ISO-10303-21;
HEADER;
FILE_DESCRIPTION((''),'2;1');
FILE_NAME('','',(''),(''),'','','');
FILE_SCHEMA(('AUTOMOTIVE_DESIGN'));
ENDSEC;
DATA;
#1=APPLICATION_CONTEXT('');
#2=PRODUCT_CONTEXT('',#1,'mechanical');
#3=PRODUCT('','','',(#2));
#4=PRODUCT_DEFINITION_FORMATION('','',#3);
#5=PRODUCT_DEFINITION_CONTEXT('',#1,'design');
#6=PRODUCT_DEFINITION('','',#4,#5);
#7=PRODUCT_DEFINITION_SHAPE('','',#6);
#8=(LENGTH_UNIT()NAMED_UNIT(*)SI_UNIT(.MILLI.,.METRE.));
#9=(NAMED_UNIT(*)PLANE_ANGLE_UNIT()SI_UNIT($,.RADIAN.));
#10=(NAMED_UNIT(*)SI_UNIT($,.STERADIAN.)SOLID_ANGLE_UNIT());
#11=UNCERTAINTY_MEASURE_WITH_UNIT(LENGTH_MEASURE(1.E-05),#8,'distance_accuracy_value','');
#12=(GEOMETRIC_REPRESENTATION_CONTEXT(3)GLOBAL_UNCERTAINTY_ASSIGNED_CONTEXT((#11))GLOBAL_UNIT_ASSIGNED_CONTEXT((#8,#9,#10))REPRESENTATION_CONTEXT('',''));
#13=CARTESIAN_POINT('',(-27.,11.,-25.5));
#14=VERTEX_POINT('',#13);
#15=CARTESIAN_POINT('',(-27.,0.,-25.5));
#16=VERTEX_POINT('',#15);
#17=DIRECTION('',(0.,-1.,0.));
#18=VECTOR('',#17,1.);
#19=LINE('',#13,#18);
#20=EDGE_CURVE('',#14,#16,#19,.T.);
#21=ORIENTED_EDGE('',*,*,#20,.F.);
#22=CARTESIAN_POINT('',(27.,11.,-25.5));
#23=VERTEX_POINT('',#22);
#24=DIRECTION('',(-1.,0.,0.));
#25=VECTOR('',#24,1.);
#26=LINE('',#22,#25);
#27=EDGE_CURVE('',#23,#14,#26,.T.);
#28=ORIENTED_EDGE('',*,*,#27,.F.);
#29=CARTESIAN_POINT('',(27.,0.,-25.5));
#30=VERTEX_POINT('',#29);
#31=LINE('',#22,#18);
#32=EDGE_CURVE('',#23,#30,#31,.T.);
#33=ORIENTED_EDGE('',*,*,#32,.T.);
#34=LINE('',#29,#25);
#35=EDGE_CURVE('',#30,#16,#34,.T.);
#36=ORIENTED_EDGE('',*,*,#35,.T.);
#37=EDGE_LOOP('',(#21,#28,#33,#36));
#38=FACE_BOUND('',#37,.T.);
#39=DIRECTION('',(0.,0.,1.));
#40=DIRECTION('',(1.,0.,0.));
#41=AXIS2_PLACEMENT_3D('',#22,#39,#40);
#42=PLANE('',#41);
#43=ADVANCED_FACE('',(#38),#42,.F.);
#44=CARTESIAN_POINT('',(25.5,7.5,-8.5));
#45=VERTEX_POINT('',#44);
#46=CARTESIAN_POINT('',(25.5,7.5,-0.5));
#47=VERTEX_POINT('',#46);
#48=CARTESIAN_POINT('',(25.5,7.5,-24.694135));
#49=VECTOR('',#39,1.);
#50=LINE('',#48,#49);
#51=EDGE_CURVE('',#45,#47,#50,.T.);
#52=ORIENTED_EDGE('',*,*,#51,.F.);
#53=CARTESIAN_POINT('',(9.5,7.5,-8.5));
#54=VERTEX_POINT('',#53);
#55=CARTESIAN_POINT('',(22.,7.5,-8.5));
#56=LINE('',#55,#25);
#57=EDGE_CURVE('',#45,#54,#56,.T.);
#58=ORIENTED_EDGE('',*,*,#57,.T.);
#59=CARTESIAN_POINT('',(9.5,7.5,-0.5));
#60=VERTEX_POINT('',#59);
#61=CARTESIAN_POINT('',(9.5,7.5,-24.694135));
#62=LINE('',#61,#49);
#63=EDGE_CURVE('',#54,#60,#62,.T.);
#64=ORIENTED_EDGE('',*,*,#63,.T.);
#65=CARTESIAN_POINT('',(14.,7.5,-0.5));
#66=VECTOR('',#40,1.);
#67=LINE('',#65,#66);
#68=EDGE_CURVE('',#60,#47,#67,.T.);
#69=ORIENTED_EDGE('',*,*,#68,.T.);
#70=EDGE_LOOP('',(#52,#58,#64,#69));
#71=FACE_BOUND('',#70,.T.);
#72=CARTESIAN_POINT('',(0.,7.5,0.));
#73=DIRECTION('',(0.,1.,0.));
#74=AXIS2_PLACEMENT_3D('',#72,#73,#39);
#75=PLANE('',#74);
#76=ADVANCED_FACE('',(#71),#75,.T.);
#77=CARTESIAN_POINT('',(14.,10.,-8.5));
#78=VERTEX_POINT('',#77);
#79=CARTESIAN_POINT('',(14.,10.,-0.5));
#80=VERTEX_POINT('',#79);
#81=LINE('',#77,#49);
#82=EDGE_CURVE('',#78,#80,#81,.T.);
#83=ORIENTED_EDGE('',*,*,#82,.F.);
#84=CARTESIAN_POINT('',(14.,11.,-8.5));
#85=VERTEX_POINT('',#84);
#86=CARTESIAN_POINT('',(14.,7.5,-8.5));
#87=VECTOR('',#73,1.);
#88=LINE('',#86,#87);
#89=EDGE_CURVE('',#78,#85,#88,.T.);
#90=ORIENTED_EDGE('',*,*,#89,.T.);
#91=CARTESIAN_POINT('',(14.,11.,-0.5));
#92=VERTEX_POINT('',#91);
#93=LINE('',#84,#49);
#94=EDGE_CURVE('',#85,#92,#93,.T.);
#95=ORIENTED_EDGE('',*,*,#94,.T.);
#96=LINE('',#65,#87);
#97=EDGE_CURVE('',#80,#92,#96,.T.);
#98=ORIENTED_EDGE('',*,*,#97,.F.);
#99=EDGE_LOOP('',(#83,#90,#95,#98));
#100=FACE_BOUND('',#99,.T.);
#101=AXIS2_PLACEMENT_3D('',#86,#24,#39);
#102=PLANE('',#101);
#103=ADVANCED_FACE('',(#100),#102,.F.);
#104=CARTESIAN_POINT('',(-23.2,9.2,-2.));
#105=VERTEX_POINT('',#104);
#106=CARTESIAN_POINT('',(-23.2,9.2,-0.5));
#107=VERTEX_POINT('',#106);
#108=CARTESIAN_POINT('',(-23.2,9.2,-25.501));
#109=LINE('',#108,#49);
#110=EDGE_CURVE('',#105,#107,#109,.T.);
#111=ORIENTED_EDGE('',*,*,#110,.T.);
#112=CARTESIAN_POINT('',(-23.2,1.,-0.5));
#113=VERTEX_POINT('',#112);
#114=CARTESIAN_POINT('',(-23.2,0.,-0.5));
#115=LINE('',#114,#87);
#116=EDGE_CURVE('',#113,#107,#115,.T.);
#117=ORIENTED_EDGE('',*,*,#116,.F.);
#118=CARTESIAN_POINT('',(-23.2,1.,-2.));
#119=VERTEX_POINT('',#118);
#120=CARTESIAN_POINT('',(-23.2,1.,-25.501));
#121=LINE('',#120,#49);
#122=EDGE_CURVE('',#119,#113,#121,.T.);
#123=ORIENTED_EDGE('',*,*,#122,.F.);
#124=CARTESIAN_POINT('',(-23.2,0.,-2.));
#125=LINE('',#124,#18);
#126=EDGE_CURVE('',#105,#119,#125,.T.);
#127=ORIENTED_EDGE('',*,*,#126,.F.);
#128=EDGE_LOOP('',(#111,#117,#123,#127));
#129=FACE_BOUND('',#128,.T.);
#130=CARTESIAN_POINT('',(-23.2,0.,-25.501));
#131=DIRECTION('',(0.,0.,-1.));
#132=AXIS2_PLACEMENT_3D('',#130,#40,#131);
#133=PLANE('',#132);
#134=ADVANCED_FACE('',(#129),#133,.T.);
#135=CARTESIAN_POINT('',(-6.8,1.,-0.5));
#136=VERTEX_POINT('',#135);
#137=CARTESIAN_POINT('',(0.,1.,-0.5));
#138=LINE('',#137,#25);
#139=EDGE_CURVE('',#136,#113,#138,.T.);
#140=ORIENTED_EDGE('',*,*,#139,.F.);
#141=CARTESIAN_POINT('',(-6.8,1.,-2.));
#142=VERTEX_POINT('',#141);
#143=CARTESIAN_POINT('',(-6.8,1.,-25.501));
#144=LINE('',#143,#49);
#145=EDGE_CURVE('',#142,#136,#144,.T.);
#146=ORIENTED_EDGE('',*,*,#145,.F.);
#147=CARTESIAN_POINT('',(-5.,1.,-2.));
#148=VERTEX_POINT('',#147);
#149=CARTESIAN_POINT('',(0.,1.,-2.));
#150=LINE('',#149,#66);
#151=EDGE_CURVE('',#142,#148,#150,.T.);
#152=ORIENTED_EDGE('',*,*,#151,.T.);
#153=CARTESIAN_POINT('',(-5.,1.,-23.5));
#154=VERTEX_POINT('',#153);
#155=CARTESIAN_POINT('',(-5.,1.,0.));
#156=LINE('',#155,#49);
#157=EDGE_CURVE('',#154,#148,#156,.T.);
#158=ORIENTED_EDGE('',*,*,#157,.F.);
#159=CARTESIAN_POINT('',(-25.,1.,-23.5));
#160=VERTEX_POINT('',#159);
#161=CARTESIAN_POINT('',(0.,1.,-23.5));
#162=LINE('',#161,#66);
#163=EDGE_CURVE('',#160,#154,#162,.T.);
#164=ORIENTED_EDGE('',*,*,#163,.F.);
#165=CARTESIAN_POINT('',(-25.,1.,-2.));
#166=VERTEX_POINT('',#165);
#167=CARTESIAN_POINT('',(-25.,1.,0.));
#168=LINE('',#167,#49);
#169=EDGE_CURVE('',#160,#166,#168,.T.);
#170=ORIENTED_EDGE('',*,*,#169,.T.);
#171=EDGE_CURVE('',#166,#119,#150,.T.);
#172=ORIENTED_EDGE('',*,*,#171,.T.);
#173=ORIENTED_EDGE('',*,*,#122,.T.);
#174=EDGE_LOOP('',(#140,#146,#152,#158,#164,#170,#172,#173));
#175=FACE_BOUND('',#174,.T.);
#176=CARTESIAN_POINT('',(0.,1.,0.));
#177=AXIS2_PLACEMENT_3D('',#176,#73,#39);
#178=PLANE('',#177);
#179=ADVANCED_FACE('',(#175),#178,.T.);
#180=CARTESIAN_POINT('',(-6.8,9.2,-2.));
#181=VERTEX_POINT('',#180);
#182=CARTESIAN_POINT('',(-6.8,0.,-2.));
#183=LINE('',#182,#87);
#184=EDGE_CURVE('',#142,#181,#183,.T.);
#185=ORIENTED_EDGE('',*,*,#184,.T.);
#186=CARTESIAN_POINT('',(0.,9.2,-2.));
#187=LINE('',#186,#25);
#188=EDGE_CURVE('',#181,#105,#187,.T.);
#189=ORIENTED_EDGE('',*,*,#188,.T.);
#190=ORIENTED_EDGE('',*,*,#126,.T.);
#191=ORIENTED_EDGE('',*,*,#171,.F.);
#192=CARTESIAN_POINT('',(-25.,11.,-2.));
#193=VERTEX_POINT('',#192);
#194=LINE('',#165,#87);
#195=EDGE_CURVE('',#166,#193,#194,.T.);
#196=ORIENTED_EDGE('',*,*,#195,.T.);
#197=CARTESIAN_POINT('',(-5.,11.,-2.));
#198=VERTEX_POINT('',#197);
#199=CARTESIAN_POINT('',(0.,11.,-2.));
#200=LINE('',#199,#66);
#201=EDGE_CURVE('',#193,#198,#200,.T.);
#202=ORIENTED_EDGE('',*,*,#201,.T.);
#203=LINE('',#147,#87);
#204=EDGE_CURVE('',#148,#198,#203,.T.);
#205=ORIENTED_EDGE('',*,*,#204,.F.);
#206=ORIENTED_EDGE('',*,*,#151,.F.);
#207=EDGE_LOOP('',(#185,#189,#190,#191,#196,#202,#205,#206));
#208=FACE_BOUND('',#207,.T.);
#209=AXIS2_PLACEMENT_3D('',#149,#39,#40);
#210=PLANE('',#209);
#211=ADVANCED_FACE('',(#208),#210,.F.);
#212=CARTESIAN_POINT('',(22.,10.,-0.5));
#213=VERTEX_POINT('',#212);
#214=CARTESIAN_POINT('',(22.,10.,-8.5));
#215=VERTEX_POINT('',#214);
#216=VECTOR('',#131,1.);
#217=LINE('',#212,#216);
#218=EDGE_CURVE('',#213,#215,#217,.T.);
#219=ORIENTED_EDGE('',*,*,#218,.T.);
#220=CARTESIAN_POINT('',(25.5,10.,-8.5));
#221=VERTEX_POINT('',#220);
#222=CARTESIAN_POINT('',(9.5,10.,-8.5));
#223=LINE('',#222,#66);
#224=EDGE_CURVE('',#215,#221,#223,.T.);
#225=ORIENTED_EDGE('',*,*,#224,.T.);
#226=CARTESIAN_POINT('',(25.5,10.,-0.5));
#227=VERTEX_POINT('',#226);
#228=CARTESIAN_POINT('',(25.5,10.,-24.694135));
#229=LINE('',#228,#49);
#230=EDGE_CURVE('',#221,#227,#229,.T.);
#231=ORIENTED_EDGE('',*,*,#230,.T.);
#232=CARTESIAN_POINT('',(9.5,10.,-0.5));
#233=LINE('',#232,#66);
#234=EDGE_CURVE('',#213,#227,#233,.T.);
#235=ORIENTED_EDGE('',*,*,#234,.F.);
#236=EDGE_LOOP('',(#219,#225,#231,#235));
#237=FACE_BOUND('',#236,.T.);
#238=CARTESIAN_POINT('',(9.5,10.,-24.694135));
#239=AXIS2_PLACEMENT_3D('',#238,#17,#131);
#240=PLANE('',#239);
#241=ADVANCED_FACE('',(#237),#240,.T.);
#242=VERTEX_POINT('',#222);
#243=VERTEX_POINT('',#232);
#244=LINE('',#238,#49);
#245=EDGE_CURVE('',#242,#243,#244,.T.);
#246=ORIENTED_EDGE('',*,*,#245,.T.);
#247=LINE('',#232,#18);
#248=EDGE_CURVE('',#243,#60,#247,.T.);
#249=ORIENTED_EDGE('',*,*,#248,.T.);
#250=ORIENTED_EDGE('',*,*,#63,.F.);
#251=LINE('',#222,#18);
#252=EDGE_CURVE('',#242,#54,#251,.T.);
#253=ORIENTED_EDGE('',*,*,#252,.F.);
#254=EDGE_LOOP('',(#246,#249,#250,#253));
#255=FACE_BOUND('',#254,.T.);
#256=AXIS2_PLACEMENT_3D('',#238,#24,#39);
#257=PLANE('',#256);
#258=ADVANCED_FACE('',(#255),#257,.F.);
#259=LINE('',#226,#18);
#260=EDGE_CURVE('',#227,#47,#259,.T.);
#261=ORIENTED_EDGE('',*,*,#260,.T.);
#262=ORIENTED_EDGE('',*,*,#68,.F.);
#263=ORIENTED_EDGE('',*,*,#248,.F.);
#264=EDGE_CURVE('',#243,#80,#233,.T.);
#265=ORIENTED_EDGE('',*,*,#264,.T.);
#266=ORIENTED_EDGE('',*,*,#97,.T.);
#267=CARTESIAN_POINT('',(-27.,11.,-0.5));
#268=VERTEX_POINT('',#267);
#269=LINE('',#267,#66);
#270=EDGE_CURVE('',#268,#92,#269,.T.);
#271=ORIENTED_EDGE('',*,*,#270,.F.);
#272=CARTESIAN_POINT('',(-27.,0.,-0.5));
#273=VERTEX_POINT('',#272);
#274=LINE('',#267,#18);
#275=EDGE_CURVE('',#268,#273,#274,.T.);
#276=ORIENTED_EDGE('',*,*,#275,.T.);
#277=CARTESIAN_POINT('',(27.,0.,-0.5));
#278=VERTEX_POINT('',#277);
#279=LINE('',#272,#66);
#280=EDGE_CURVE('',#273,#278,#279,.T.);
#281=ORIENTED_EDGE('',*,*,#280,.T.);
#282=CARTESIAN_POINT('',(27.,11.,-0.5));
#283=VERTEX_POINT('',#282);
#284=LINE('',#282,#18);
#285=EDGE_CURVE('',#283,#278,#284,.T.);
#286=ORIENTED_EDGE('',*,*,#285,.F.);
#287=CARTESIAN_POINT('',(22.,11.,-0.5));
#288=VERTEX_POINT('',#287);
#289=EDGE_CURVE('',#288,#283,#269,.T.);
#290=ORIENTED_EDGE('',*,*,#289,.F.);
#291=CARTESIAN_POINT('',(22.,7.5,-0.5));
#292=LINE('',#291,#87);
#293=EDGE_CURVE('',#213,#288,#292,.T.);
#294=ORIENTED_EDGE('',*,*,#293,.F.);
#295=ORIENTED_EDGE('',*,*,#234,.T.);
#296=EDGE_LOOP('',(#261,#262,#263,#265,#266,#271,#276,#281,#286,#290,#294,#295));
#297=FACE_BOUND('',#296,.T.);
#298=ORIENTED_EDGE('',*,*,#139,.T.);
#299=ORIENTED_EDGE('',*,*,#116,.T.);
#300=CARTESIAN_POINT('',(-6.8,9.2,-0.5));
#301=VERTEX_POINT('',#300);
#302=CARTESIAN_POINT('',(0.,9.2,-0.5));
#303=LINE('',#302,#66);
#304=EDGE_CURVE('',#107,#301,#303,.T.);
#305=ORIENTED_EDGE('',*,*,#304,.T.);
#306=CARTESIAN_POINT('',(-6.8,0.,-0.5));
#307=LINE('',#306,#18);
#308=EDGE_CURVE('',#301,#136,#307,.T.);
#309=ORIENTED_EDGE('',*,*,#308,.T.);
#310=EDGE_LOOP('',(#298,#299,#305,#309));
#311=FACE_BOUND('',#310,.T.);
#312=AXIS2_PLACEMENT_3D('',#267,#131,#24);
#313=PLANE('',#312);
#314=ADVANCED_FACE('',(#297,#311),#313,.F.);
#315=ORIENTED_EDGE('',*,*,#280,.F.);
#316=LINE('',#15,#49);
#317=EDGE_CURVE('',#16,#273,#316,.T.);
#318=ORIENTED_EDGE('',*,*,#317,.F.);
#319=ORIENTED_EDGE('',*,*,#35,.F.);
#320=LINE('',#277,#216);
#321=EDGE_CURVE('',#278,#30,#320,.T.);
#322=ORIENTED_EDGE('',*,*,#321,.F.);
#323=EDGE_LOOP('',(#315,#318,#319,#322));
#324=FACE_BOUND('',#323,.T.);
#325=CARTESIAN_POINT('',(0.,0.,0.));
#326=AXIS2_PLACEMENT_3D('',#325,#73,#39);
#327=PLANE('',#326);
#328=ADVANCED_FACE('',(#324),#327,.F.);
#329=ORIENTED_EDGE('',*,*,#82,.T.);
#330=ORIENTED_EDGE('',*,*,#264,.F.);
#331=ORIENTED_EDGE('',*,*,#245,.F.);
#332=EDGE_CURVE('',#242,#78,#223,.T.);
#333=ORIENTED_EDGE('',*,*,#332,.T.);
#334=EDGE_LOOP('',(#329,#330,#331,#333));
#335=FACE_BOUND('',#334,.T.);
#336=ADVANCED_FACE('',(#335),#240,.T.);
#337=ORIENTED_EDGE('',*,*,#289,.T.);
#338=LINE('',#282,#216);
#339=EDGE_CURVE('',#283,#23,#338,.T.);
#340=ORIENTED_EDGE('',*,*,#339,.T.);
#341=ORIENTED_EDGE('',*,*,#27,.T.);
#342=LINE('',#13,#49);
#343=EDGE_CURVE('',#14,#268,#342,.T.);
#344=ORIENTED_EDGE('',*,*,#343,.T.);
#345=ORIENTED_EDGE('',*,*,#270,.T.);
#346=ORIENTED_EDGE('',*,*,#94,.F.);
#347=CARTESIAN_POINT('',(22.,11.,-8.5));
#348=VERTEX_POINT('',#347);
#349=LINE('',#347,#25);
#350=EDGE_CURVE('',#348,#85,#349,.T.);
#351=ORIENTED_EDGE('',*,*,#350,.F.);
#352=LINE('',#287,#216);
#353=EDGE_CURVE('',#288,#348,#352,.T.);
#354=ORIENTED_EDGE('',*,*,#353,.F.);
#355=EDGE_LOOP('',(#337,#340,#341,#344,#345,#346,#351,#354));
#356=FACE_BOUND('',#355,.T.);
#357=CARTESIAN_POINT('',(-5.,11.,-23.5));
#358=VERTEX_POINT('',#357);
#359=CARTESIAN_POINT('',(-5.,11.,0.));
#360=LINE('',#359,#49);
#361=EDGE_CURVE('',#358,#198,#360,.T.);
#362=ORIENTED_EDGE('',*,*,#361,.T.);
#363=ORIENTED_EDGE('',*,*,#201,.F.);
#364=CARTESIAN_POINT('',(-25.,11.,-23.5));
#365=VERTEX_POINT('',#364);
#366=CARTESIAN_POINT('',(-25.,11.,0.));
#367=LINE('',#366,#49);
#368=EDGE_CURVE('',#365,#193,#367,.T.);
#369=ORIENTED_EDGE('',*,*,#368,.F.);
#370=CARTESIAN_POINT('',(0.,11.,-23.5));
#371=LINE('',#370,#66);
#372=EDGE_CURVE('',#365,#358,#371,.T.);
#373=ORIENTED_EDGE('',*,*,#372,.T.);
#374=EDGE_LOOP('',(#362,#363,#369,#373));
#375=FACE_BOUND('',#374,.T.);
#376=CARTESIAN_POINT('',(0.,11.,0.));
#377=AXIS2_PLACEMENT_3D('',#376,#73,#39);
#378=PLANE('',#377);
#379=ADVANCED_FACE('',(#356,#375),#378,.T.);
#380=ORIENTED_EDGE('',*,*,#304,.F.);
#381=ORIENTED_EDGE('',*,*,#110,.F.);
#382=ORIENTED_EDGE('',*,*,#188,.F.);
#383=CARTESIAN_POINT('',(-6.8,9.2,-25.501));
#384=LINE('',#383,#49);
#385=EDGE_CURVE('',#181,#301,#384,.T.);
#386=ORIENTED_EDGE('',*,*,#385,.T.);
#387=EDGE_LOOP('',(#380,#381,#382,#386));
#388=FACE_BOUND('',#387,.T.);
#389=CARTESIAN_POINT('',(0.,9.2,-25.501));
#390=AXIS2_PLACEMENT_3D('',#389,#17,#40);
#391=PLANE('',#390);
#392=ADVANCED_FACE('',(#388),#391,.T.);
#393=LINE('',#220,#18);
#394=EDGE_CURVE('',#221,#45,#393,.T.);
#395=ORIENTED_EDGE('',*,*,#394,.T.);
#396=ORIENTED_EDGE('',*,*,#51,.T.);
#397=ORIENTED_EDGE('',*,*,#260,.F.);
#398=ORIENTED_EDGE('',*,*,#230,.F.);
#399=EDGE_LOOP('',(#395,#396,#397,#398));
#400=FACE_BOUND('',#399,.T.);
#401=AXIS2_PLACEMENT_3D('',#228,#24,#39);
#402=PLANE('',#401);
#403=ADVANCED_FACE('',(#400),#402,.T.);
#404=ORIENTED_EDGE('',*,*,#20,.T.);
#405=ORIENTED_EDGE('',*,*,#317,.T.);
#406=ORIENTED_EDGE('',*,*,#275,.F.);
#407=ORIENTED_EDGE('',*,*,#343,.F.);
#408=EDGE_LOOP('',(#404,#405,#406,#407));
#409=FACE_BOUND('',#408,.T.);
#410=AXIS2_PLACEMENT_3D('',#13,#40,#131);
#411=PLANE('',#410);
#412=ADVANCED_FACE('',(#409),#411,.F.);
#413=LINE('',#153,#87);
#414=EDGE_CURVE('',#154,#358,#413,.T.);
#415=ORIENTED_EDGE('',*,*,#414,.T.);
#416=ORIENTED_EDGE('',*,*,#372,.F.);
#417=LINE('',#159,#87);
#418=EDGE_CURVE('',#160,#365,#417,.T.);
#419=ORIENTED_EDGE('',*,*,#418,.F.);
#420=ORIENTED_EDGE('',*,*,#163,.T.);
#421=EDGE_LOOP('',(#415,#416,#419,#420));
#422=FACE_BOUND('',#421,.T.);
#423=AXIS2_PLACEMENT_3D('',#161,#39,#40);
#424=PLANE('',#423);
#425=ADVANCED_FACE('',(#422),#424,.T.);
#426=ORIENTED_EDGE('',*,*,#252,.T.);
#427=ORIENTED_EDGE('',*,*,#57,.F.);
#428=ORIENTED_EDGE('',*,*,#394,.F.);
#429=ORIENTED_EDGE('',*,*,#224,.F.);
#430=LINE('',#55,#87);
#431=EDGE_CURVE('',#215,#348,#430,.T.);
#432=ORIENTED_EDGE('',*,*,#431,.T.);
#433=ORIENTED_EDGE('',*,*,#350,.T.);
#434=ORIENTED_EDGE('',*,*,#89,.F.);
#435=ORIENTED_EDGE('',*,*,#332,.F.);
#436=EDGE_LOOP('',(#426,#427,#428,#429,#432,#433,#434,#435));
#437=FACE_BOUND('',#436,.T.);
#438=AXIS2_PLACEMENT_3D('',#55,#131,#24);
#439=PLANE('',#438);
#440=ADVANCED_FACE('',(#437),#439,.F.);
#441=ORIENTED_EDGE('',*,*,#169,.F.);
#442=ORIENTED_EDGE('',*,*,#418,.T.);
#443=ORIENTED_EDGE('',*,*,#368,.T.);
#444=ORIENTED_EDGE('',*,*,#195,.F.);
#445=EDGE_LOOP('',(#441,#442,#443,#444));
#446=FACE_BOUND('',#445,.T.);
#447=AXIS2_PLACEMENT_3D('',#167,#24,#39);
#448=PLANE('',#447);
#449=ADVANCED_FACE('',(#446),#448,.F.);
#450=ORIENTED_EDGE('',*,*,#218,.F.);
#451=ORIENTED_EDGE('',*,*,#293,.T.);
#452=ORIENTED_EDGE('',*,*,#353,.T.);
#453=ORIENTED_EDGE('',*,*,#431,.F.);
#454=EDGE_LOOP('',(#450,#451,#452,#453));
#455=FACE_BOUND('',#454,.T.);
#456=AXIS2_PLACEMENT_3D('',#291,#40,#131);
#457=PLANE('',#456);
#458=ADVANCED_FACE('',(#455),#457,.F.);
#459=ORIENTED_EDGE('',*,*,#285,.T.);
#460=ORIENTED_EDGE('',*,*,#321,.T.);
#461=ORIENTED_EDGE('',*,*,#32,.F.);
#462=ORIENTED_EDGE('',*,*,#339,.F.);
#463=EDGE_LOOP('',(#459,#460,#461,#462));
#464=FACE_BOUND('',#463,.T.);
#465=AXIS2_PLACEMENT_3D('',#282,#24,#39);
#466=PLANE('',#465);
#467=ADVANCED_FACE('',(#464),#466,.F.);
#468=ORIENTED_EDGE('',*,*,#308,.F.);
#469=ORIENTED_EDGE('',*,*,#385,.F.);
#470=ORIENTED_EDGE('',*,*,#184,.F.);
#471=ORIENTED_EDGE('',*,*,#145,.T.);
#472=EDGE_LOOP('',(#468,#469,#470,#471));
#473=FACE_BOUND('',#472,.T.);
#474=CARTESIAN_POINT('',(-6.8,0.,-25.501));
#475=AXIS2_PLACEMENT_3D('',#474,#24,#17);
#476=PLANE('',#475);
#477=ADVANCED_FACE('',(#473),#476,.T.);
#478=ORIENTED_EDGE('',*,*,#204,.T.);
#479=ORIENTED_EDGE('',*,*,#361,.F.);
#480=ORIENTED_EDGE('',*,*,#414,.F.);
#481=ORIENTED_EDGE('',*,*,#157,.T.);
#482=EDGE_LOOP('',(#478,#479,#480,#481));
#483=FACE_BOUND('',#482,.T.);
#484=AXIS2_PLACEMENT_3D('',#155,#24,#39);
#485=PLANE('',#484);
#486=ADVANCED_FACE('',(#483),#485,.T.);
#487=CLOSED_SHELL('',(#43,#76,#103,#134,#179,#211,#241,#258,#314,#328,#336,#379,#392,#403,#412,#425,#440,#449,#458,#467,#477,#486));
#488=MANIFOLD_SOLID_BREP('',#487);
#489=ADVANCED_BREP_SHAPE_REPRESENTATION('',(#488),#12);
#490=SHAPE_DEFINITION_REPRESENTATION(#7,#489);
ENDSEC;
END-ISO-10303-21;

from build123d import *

# Parameters (mm, degrees)
SKETCH8_W            = 54
SKETCH8_H            = 25
BOSS_EXTRUDE1_DEPTH  = 11
SKETCH9_W            = 20
SKETCH9_H            = 21.5
CUT_EXTRUDE1_DEPTH   = 10
SKETCH11_W           = 8
SKETCH11_H           = 8
CUT_EXTRUDE5_DEPTH   = 3.5
JOYSTICK_ENTRY_REACH = 40.406
SKETCH10_W           = 16.4
SKETCH10_H           = 8.2
SKETCH13_W           = 16
SKETCH13_H           = 2.5
CUT_EXTRUDE6_DEPTH   = 8


with BuildPart() as part:
    # Sketch8 → Boss-Extrude1 (new body)
    with BuildSketch(Plane(origin=(0, 0, 0), x_dir=(1, 0, 0), z_dir=(0, 1, 0))):
        with Locations((0, 13)):
            Rectangle(SKETCH8_W, SKETCH8_H)
    extrude(amount=BOSS_EXTRUDE1_DEPTH)

    # Sketch9 → Cut-Extrude1 (cut)
    with BuildSketch(Plane(origin=(0, 11, 0), x_dir=(1, 0, 0), z_dir=(0, 1, 0))):
        with Locations((-15, 12.75)):
            Rectangle(SKETCH9_W, SKETCH9_H)
    extrude(amount=-CUT_EXTRUDE1_DEPTH, mode=Mode.SUBTRACT)

    # Sketch11 → Cut-Extrude5 (cut)
    with BuildSketch(Plane(origin=(0, 11, 0), x_dir=(1, 0, 0), z_dir=(0, 1, 0))):
        with Locations((18, 4.5)):
            Rectangle(SKETCH11_W, SKETCH11_H)
    extrude(amount=-CUT_EXTRUDE5_DEPTH, mode=Mode.SUBTRACT)

    # Sketch10 → Joystick Entry (cut, up to next)
    with BuildSketch(Plane.XY.offset(-0.5), mode=Mode.PRIVATE) as joystick_entry_sk1:
        with Locations((-15, 5.1)):
            Rectangle(SKETCH10_W, SKETCH10_H)
    joystick_entry_tool1 = extrude(joystick_entry_sk1.sketch, amount=-JOYSTICK_ENTRY_REACH, mode=Mode.PRIVATE) & part.part
    add(joystick_entry_tool1.solids().sort_by_distance((-15, 5.1, -0.5))[0], mode=Mode.SUBTRACT)

    # Sketch13 → Cut-Extrude6 (cut)
    with BuildSketch(Plane.XY.offset(-0.5)):
        with Locations((17.5, 8.75)):
            Rectangle(SKETCH13_W, SKETCH13_H)
    extrude(amount=-CUT_EXTRUDE6_DEPTH, mode=Mode.SUBTRACT)


solid = part.part
